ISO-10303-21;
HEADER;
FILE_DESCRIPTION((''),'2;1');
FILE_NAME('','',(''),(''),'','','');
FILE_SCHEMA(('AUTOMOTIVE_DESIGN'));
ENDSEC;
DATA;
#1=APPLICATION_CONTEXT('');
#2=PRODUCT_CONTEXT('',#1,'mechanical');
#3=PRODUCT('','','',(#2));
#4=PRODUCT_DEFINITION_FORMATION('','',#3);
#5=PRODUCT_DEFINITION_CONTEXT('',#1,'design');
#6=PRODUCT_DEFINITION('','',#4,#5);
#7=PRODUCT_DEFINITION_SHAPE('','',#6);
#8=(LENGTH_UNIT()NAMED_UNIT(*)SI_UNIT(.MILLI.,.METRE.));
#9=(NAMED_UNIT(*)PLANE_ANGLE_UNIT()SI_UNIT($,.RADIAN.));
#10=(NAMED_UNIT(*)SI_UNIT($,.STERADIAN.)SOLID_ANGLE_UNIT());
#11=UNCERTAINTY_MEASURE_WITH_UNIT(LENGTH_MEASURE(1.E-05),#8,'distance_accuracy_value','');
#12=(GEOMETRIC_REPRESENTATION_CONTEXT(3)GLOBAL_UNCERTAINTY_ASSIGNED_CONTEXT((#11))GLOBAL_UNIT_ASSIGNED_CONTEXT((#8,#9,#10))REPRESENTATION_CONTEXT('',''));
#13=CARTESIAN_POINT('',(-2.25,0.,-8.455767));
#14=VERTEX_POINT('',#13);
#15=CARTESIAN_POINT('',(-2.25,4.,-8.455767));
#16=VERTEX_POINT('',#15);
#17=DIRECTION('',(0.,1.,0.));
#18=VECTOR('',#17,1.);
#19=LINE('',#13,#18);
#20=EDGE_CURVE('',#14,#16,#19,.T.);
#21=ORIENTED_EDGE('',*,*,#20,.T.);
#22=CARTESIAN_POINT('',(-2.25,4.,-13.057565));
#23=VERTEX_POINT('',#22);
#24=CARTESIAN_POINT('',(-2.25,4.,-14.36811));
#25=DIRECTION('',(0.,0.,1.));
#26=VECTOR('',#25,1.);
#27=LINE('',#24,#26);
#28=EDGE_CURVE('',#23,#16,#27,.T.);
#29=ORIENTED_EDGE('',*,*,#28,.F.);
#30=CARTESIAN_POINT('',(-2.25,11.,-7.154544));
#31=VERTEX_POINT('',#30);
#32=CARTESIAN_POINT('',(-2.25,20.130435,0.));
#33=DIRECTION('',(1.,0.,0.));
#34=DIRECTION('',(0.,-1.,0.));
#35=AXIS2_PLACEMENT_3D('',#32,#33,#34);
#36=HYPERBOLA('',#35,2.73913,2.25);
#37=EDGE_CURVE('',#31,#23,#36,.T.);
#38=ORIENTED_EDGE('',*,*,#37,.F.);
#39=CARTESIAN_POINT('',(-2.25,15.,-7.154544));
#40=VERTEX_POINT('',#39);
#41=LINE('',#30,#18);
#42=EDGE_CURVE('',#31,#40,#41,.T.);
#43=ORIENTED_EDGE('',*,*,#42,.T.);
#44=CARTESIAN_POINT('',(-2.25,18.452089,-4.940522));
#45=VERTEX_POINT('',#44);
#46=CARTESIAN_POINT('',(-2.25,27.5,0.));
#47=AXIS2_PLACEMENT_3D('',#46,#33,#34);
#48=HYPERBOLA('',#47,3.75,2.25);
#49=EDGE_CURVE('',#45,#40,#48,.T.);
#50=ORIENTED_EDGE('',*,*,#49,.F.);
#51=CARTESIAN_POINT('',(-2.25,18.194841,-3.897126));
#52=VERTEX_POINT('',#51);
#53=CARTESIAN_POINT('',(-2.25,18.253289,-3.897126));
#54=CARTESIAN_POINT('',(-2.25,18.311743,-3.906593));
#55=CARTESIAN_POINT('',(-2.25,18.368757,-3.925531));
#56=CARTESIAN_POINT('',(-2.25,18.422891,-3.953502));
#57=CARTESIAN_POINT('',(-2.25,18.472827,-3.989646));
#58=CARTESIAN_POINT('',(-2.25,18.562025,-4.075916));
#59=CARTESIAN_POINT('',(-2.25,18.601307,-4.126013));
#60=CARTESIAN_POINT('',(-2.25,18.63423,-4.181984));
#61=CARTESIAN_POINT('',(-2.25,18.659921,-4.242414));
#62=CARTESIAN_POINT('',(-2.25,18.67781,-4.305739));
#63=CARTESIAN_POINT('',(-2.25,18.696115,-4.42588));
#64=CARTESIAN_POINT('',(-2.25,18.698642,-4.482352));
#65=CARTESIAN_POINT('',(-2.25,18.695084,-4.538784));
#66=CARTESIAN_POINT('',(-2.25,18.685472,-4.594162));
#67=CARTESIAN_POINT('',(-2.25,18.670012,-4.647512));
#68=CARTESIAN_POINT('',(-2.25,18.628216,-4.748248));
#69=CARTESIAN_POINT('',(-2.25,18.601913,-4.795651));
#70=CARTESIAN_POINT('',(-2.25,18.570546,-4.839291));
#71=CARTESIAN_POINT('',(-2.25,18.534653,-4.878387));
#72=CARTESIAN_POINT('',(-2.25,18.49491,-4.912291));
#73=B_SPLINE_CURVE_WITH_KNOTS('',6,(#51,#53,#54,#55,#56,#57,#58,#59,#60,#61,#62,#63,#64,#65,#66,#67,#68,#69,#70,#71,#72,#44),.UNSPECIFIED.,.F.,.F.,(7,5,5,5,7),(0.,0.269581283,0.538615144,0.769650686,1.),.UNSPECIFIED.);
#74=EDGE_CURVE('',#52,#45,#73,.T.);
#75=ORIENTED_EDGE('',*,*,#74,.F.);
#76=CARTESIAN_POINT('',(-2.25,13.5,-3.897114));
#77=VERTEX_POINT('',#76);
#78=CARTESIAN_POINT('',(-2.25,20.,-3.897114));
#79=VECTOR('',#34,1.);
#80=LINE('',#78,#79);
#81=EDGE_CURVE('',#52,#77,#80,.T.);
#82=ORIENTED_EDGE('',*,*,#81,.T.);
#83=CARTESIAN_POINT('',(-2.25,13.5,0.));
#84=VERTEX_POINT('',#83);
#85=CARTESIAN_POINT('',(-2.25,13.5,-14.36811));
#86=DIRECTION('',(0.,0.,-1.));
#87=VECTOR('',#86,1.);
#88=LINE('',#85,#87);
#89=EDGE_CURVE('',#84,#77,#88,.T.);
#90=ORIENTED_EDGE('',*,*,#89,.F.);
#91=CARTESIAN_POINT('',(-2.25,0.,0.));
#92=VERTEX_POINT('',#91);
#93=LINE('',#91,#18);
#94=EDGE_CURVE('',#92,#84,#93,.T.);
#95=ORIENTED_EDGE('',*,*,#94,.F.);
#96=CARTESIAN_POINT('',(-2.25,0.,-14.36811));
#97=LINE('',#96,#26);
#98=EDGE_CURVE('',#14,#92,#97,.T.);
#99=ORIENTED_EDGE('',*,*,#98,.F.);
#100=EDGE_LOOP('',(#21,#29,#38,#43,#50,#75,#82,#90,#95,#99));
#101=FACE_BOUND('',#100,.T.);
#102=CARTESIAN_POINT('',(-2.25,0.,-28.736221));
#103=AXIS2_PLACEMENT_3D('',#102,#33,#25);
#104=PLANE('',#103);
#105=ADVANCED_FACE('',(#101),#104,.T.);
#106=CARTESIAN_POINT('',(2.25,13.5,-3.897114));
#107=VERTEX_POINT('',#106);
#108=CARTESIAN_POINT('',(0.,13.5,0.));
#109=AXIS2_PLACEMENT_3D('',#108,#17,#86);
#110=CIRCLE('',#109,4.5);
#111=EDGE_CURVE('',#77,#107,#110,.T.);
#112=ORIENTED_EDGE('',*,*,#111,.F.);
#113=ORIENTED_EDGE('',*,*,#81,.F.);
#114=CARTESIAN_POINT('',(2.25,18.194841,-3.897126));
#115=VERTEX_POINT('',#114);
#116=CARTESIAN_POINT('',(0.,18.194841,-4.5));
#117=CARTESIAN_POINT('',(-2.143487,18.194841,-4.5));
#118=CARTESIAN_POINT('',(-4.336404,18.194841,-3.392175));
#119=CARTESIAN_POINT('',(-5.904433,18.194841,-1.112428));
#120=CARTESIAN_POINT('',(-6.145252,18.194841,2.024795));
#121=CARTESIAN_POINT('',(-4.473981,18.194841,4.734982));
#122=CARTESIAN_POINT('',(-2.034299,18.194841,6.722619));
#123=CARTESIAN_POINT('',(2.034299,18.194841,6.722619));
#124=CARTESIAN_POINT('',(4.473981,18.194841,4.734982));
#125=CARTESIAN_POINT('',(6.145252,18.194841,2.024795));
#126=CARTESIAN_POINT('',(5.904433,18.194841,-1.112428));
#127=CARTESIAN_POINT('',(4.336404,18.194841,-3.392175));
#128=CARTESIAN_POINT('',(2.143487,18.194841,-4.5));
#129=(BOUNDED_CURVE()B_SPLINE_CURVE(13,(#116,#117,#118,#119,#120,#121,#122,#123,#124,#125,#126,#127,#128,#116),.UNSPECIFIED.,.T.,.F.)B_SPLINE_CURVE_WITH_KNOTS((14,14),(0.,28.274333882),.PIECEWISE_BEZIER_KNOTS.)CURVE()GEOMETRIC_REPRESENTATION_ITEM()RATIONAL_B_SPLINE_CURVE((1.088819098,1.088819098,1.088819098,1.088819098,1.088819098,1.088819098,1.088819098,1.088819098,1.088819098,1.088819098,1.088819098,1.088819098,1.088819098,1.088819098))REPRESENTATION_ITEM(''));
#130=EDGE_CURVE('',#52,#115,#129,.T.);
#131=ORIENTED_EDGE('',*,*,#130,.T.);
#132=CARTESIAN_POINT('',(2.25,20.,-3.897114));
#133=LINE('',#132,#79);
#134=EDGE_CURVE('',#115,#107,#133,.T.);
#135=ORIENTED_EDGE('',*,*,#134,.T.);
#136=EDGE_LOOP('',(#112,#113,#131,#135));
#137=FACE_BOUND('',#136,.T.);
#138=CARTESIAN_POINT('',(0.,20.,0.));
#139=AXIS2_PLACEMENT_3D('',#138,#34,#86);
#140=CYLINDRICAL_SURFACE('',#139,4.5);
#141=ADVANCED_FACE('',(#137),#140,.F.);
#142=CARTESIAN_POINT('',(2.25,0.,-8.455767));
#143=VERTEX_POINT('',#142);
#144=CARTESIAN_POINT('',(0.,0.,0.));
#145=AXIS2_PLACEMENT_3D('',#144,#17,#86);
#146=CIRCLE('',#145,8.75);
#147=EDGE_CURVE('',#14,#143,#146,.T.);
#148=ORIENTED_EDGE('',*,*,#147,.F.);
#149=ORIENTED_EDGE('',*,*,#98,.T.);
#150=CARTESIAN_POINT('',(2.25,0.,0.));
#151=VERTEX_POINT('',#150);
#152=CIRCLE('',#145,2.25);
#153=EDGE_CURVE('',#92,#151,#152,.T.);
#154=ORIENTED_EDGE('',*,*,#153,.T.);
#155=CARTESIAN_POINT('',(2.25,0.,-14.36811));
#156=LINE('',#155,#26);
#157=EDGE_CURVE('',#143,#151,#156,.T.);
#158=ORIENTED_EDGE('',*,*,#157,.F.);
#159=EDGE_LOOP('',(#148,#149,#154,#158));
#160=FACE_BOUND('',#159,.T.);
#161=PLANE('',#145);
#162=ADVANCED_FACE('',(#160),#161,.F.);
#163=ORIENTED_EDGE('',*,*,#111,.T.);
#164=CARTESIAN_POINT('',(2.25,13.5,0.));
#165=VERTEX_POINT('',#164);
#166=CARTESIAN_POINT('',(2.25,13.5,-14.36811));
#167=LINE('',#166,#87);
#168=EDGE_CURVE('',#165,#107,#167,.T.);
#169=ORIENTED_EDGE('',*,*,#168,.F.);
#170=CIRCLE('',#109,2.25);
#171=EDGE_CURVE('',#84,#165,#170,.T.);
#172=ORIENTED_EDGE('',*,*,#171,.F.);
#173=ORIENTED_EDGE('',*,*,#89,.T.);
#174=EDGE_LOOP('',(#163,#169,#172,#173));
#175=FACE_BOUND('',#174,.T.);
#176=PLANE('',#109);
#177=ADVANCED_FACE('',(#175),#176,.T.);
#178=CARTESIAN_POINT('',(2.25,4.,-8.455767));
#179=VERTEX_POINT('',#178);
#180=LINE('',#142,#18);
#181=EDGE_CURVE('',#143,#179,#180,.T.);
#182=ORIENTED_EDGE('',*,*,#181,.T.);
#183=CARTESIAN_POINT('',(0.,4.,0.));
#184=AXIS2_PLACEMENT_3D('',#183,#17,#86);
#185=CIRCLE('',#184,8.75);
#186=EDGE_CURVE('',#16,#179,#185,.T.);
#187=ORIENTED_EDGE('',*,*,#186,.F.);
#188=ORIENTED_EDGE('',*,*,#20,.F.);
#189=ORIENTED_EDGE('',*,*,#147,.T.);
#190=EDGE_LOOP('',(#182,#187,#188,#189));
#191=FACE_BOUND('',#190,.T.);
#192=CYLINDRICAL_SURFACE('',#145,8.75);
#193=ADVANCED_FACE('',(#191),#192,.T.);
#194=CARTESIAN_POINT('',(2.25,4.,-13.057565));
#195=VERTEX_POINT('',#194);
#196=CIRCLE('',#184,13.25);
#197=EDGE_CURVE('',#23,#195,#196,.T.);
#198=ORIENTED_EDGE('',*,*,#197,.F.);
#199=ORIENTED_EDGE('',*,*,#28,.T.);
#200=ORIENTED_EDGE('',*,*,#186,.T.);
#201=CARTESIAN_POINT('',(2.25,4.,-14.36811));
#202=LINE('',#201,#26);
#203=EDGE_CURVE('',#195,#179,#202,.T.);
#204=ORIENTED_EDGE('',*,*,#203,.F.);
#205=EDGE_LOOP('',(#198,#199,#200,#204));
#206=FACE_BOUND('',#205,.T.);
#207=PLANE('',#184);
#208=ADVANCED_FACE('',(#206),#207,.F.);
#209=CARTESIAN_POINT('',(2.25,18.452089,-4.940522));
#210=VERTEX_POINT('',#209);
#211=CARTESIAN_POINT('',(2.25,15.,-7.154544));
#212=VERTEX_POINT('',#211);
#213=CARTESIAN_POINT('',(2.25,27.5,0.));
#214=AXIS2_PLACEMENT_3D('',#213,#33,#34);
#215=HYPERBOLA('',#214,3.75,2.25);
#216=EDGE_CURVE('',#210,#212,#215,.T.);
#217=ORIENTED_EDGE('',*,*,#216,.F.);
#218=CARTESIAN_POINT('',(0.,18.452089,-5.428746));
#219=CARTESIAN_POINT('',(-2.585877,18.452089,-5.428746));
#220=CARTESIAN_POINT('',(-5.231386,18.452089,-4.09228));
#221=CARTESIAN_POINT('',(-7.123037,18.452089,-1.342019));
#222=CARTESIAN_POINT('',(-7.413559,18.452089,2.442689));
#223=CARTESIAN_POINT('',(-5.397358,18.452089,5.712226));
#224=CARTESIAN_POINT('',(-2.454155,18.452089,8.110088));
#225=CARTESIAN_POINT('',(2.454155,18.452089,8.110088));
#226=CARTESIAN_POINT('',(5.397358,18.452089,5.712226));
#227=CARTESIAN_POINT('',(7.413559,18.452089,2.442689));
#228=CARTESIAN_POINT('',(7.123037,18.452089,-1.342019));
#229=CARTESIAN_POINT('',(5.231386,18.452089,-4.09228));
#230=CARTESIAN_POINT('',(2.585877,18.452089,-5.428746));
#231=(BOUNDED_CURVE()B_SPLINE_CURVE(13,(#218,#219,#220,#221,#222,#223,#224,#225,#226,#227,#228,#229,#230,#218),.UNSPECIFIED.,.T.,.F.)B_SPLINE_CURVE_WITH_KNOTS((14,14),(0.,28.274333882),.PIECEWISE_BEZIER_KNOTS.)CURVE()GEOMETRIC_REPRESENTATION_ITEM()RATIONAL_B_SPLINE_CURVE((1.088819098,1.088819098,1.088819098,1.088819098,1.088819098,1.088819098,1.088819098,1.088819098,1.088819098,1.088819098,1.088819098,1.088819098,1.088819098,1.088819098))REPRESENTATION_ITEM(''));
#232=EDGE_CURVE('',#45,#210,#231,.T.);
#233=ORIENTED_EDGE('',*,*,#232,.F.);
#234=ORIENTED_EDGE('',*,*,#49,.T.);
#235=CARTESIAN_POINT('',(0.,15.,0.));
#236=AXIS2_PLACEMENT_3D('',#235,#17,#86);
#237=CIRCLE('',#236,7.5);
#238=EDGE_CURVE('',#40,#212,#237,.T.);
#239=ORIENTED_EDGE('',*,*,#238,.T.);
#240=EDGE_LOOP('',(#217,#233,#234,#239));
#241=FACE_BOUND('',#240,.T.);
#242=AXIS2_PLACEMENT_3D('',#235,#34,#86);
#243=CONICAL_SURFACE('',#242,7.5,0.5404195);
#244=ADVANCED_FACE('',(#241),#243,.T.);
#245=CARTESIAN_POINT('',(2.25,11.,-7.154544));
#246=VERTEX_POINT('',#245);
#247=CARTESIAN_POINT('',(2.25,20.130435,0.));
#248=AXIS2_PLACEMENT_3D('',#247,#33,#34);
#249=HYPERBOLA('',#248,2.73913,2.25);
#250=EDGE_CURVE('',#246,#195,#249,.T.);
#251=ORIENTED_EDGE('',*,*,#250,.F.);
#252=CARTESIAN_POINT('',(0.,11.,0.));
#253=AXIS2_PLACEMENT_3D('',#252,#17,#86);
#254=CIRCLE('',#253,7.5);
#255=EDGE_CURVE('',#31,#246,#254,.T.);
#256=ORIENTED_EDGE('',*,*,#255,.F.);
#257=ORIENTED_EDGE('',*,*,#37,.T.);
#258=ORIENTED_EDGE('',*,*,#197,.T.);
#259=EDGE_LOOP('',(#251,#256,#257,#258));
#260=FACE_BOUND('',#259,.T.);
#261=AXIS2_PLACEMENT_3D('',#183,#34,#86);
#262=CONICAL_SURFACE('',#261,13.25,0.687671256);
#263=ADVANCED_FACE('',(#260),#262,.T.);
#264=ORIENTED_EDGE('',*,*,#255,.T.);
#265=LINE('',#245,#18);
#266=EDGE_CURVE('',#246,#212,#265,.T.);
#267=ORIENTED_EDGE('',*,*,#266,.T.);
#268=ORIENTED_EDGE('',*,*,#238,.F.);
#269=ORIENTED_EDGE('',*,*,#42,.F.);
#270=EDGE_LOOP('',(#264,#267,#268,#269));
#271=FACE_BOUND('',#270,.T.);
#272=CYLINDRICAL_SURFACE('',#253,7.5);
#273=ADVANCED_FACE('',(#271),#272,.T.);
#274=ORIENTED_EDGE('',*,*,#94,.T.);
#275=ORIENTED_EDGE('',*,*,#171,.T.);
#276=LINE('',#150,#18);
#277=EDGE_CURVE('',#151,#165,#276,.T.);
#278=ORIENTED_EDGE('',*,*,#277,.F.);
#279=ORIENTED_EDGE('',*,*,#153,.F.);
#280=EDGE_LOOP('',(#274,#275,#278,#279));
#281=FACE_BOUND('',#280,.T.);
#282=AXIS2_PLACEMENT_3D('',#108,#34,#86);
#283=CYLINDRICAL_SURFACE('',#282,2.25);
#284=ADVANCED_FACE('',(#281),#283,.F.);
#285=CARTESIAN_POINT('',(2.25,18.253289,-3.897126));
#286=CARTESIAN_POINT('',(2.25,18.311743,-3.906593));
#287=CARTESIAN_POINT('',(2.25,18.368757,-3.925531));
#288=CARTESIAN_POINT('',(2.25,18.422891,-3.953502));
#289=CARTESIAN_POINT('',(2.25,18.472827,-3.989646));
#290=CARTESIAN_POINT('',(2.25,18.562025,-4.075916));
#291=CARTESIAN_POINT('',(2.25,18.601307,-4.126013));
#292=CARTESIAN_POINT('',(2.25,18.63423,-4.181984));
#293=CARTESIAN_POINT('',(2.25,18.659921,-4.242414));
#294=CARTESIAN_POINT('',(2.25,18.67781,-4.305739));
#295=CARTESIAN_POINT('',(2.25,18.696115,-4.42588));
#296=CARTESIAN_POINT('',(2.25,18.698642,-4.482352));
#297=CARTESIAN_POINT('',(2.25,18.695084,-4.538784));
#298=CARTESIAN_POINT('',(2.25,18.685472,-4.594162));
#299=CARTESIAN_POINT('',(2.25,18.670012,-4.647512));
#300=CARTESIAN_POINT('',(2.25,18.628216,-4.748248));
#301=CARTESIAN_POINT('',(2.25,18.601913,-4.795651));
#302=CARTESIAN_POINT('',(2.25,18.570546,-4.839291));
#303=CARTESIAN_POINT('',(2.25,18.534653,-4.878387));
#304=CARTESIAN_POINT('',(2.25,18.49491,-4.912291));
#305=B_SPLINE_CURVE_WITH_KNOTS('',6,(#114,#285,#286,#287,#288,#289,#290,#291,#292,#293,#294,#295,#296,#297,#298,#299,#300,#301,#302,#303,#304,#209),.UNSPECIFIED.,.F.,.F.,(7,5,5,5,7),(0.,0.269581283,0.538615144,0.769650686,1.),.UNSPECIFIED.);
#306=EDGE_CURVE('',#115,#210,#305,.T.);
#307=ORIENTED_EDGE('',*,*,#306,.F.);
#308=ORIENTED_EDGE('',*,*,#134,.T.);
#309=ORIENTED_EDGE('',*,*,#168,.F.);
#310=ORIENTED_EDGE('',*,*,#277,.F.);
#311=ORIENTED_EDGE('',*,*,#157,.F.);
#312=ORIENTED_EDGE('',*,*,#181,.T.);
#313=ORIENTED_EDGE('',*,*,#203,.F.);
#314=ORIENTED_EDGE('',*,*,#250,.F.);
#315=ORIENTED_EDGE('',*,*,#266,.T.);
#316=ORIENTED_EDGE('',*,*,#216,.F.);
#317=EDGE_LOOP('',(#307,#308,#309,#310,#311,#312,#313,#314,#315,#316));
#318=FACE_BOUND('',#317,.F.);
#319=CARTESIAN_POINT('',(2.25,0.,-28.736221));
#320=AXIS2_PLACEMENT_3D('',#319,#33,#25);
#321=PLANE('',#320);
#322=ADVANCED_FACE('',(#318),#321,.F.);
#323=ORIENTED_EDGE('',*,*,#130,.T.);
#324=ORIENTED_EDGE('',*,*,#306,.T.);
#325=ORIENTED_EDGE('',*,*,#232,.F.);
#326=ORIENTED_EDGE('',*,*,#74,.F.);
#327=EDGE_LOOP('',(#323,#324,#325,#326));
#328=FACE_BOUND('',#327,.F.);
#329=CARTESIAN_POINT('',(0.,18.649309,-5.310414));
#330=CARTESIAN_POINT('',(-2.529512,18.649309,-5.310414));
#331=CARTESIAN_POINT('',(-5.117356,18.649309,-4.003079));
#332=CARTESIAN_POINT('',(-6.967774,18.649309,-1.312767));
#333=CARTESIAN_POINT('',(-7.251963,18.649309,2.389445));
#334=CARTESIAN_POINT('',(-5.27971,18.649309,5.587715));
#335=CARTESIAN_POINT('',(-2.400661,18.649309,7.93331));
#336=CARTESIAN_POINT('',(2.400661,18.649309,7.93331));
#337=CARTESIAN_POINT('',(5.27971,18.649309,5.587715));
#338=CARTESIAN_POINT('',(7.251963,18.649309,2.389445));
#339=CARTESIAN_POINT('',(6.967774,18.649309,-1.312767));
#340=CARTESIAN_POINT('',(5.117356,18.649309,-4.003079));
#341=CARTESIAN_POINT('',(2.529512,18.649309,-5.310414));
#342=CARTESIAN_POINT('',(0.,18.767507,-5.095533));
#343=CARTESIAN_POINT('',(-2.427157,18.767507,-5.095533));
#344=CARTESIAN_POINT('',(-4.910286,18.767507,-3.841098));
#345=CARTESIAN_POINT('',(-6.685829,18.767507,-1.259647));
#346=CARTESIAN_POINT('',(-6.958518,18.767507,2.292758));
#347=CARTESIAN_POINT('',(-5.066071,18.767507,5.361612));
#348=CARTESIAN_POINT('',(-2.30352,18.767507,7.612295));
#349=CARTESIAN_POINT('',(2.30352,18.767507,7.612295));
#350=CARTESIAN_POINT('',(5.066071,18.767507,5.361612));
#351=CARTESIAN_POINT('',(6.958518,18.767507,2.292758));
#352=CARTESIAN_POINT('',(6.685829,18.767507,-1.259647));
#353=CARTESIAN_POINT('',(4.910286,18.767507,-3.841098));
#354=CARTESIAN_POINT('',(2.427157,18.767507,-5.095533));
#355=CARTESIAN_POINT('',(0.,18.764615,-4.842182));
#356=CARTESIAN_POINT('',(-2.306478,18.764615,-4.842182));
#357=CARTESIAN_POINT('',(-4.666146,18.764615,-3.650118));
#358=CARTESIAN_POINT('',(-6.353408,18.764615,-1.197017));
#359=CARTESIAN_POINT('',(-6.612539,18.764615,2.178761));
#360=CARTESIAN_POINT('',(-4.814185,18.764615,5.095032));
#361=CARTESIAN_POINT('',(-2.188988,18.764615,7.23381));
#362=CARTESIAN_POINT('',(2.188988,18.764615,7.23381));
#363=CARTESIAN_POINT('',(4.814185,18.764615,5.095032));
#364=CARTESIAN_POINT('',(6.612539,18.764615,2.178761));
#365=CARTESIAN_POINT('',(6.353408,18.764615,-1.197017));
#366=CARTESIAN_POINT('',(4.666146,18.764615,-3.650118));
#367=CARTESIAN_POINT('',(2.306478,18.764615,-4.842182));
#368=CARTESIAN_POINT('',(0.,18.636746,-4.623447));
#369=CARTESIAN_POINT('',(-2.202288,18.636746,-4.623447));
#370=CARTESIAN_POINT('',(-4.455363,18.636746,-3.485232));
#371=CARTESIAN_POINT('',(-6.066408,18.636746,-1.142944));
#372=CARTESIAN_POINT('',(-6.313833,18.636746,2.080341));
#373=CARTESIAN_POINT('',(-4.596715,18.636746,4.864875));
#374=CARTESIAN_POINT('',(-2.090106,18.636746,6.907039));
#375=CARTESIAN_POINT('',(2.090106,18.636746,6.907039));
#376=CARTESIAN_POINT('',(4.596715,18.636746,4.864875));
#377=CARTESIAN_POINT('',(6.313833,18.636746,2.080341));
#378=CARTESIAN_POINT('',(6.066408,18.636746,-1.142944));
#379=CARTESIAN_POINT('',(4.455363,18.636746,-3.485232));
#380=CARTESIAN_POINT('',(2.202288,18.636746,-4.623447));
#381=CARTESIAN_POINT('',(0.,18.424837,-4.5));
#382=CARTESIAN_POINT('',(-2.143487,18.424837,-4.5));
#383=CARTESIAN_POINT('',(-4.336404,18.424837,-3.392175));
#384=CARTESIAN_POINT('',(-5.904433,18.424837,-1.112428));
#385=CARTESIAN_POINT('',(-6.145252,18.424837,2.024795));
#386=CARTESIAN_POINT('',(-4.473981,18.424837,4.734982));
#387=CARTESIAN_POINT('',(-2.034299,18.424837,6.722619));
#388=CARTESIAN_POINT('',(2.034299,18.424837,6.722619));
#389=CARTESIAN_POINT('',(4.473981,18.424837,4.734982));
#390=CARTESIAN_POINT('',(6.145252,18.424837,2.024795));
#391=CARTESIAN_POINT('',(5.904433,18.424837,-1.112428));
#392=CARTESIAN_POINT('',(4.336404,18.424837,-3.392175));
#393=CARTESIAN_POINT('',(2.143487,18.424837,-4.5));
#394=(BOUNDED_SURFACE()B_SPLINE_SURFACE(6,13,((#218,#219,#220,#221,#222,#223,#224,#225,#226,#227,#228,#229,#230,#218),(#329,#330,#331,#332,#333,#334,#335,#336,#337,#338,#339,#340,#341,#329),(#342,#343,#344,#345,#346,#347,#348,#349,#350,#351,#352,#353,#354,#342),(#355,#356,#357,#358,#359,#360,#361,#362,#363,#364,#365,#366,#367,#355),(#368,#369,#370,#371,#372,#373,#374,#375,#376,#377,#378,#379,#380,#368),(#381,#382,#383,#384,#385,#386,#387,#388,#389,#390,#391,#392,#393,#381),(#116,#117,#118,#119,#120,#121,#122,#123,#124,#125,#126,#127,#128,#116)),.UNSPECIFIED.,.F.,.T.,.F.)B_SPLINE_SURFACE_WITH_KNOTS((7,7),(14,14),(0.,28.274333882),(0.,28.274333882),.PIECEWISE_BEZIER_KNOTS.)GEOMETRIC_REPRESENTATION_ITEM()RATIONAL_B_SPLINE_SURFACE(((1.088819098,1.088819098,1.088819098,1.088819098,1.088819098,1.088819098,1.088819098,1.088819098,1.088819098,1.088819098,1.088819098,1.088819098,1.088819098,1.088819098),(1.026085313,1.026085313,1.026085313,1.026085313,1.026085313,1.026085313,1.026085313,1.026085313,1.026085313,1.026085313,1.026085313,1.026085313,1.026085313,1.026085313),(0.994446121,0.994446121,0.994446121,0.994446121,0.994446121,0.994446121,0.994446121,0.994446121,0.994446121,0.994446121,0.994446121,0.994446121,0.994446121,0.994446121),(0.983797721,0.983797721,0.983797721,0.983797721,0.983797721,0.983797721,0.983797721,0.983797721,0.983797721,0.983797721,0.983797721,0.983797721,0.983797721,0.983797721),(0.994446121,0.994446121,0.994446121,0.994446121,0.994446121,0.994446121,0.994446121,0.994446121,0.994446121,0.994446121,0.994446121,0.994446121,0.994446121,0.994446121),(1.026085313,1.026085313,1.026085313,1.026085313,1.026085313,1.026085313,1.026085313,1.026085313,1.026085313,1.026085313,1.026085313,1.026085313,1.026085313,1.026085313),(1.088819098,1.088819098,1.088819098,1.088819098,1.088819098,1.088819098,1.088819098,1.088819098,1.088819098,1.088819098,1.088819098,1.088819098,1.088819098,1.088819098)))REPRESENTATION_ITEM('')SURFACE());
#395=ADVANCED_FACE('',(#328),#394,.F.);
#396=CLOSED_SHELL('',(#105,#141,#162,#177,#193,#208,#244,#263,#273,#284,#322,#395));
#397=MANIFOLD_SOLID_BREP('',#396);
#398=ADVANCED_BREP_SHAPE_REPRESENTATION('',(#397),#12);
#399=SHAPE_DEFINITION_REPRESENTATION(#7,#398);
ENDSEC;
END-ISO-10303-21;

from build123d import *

# Parameters (mm, degrees)
FILLET1_R          = 0.5
SKETCH3_W          = 4.5
SKETCH3_H          = 28.736220623
CUT_EXTRUDE1_DEPTH = 28


with BuildPart() as part:
    # Sketch2 → Revolve1 (revolve)
    with BuildSketch(Plane.XY, mode=Mode.PRIVATE) as revolve1_sk:
        Polygon((-2.25, 13.5), (-2.25, 0), (-8.75, 0), (-8.75, 4), (-13.25, 4), (-7.5, 11), (-7.5, 15), (-4.5, 20), (-4.5, 13.5), align=None)
    revolve(revolve1_sk.sketch.rotate(Axis((0, 0, 0), (0, 1, 0)), 270), axis=Axis((0, 0, 0), (0, 1, 0)))

    # Fillet1
    fillet1_edges = [part.edges().sort_by_distance(p)[0] for p in [
        (0, 20, 4.5),
    ]]
    fillet(fillet1_edges, radius=FILLET1_R)

    # Sketch3 → Cut-Extrude1 (cut)
    with BuildSketch(Plane.XZ):
        with Locations((0, -14.368110312)):
            Rectangle(SKETCH3_W, SKETCH3_H)
    extrude(amount=-CUT_EXTRUDE1_DEPTH, mode=Mode.SUBTRACT)


solid = part.part
